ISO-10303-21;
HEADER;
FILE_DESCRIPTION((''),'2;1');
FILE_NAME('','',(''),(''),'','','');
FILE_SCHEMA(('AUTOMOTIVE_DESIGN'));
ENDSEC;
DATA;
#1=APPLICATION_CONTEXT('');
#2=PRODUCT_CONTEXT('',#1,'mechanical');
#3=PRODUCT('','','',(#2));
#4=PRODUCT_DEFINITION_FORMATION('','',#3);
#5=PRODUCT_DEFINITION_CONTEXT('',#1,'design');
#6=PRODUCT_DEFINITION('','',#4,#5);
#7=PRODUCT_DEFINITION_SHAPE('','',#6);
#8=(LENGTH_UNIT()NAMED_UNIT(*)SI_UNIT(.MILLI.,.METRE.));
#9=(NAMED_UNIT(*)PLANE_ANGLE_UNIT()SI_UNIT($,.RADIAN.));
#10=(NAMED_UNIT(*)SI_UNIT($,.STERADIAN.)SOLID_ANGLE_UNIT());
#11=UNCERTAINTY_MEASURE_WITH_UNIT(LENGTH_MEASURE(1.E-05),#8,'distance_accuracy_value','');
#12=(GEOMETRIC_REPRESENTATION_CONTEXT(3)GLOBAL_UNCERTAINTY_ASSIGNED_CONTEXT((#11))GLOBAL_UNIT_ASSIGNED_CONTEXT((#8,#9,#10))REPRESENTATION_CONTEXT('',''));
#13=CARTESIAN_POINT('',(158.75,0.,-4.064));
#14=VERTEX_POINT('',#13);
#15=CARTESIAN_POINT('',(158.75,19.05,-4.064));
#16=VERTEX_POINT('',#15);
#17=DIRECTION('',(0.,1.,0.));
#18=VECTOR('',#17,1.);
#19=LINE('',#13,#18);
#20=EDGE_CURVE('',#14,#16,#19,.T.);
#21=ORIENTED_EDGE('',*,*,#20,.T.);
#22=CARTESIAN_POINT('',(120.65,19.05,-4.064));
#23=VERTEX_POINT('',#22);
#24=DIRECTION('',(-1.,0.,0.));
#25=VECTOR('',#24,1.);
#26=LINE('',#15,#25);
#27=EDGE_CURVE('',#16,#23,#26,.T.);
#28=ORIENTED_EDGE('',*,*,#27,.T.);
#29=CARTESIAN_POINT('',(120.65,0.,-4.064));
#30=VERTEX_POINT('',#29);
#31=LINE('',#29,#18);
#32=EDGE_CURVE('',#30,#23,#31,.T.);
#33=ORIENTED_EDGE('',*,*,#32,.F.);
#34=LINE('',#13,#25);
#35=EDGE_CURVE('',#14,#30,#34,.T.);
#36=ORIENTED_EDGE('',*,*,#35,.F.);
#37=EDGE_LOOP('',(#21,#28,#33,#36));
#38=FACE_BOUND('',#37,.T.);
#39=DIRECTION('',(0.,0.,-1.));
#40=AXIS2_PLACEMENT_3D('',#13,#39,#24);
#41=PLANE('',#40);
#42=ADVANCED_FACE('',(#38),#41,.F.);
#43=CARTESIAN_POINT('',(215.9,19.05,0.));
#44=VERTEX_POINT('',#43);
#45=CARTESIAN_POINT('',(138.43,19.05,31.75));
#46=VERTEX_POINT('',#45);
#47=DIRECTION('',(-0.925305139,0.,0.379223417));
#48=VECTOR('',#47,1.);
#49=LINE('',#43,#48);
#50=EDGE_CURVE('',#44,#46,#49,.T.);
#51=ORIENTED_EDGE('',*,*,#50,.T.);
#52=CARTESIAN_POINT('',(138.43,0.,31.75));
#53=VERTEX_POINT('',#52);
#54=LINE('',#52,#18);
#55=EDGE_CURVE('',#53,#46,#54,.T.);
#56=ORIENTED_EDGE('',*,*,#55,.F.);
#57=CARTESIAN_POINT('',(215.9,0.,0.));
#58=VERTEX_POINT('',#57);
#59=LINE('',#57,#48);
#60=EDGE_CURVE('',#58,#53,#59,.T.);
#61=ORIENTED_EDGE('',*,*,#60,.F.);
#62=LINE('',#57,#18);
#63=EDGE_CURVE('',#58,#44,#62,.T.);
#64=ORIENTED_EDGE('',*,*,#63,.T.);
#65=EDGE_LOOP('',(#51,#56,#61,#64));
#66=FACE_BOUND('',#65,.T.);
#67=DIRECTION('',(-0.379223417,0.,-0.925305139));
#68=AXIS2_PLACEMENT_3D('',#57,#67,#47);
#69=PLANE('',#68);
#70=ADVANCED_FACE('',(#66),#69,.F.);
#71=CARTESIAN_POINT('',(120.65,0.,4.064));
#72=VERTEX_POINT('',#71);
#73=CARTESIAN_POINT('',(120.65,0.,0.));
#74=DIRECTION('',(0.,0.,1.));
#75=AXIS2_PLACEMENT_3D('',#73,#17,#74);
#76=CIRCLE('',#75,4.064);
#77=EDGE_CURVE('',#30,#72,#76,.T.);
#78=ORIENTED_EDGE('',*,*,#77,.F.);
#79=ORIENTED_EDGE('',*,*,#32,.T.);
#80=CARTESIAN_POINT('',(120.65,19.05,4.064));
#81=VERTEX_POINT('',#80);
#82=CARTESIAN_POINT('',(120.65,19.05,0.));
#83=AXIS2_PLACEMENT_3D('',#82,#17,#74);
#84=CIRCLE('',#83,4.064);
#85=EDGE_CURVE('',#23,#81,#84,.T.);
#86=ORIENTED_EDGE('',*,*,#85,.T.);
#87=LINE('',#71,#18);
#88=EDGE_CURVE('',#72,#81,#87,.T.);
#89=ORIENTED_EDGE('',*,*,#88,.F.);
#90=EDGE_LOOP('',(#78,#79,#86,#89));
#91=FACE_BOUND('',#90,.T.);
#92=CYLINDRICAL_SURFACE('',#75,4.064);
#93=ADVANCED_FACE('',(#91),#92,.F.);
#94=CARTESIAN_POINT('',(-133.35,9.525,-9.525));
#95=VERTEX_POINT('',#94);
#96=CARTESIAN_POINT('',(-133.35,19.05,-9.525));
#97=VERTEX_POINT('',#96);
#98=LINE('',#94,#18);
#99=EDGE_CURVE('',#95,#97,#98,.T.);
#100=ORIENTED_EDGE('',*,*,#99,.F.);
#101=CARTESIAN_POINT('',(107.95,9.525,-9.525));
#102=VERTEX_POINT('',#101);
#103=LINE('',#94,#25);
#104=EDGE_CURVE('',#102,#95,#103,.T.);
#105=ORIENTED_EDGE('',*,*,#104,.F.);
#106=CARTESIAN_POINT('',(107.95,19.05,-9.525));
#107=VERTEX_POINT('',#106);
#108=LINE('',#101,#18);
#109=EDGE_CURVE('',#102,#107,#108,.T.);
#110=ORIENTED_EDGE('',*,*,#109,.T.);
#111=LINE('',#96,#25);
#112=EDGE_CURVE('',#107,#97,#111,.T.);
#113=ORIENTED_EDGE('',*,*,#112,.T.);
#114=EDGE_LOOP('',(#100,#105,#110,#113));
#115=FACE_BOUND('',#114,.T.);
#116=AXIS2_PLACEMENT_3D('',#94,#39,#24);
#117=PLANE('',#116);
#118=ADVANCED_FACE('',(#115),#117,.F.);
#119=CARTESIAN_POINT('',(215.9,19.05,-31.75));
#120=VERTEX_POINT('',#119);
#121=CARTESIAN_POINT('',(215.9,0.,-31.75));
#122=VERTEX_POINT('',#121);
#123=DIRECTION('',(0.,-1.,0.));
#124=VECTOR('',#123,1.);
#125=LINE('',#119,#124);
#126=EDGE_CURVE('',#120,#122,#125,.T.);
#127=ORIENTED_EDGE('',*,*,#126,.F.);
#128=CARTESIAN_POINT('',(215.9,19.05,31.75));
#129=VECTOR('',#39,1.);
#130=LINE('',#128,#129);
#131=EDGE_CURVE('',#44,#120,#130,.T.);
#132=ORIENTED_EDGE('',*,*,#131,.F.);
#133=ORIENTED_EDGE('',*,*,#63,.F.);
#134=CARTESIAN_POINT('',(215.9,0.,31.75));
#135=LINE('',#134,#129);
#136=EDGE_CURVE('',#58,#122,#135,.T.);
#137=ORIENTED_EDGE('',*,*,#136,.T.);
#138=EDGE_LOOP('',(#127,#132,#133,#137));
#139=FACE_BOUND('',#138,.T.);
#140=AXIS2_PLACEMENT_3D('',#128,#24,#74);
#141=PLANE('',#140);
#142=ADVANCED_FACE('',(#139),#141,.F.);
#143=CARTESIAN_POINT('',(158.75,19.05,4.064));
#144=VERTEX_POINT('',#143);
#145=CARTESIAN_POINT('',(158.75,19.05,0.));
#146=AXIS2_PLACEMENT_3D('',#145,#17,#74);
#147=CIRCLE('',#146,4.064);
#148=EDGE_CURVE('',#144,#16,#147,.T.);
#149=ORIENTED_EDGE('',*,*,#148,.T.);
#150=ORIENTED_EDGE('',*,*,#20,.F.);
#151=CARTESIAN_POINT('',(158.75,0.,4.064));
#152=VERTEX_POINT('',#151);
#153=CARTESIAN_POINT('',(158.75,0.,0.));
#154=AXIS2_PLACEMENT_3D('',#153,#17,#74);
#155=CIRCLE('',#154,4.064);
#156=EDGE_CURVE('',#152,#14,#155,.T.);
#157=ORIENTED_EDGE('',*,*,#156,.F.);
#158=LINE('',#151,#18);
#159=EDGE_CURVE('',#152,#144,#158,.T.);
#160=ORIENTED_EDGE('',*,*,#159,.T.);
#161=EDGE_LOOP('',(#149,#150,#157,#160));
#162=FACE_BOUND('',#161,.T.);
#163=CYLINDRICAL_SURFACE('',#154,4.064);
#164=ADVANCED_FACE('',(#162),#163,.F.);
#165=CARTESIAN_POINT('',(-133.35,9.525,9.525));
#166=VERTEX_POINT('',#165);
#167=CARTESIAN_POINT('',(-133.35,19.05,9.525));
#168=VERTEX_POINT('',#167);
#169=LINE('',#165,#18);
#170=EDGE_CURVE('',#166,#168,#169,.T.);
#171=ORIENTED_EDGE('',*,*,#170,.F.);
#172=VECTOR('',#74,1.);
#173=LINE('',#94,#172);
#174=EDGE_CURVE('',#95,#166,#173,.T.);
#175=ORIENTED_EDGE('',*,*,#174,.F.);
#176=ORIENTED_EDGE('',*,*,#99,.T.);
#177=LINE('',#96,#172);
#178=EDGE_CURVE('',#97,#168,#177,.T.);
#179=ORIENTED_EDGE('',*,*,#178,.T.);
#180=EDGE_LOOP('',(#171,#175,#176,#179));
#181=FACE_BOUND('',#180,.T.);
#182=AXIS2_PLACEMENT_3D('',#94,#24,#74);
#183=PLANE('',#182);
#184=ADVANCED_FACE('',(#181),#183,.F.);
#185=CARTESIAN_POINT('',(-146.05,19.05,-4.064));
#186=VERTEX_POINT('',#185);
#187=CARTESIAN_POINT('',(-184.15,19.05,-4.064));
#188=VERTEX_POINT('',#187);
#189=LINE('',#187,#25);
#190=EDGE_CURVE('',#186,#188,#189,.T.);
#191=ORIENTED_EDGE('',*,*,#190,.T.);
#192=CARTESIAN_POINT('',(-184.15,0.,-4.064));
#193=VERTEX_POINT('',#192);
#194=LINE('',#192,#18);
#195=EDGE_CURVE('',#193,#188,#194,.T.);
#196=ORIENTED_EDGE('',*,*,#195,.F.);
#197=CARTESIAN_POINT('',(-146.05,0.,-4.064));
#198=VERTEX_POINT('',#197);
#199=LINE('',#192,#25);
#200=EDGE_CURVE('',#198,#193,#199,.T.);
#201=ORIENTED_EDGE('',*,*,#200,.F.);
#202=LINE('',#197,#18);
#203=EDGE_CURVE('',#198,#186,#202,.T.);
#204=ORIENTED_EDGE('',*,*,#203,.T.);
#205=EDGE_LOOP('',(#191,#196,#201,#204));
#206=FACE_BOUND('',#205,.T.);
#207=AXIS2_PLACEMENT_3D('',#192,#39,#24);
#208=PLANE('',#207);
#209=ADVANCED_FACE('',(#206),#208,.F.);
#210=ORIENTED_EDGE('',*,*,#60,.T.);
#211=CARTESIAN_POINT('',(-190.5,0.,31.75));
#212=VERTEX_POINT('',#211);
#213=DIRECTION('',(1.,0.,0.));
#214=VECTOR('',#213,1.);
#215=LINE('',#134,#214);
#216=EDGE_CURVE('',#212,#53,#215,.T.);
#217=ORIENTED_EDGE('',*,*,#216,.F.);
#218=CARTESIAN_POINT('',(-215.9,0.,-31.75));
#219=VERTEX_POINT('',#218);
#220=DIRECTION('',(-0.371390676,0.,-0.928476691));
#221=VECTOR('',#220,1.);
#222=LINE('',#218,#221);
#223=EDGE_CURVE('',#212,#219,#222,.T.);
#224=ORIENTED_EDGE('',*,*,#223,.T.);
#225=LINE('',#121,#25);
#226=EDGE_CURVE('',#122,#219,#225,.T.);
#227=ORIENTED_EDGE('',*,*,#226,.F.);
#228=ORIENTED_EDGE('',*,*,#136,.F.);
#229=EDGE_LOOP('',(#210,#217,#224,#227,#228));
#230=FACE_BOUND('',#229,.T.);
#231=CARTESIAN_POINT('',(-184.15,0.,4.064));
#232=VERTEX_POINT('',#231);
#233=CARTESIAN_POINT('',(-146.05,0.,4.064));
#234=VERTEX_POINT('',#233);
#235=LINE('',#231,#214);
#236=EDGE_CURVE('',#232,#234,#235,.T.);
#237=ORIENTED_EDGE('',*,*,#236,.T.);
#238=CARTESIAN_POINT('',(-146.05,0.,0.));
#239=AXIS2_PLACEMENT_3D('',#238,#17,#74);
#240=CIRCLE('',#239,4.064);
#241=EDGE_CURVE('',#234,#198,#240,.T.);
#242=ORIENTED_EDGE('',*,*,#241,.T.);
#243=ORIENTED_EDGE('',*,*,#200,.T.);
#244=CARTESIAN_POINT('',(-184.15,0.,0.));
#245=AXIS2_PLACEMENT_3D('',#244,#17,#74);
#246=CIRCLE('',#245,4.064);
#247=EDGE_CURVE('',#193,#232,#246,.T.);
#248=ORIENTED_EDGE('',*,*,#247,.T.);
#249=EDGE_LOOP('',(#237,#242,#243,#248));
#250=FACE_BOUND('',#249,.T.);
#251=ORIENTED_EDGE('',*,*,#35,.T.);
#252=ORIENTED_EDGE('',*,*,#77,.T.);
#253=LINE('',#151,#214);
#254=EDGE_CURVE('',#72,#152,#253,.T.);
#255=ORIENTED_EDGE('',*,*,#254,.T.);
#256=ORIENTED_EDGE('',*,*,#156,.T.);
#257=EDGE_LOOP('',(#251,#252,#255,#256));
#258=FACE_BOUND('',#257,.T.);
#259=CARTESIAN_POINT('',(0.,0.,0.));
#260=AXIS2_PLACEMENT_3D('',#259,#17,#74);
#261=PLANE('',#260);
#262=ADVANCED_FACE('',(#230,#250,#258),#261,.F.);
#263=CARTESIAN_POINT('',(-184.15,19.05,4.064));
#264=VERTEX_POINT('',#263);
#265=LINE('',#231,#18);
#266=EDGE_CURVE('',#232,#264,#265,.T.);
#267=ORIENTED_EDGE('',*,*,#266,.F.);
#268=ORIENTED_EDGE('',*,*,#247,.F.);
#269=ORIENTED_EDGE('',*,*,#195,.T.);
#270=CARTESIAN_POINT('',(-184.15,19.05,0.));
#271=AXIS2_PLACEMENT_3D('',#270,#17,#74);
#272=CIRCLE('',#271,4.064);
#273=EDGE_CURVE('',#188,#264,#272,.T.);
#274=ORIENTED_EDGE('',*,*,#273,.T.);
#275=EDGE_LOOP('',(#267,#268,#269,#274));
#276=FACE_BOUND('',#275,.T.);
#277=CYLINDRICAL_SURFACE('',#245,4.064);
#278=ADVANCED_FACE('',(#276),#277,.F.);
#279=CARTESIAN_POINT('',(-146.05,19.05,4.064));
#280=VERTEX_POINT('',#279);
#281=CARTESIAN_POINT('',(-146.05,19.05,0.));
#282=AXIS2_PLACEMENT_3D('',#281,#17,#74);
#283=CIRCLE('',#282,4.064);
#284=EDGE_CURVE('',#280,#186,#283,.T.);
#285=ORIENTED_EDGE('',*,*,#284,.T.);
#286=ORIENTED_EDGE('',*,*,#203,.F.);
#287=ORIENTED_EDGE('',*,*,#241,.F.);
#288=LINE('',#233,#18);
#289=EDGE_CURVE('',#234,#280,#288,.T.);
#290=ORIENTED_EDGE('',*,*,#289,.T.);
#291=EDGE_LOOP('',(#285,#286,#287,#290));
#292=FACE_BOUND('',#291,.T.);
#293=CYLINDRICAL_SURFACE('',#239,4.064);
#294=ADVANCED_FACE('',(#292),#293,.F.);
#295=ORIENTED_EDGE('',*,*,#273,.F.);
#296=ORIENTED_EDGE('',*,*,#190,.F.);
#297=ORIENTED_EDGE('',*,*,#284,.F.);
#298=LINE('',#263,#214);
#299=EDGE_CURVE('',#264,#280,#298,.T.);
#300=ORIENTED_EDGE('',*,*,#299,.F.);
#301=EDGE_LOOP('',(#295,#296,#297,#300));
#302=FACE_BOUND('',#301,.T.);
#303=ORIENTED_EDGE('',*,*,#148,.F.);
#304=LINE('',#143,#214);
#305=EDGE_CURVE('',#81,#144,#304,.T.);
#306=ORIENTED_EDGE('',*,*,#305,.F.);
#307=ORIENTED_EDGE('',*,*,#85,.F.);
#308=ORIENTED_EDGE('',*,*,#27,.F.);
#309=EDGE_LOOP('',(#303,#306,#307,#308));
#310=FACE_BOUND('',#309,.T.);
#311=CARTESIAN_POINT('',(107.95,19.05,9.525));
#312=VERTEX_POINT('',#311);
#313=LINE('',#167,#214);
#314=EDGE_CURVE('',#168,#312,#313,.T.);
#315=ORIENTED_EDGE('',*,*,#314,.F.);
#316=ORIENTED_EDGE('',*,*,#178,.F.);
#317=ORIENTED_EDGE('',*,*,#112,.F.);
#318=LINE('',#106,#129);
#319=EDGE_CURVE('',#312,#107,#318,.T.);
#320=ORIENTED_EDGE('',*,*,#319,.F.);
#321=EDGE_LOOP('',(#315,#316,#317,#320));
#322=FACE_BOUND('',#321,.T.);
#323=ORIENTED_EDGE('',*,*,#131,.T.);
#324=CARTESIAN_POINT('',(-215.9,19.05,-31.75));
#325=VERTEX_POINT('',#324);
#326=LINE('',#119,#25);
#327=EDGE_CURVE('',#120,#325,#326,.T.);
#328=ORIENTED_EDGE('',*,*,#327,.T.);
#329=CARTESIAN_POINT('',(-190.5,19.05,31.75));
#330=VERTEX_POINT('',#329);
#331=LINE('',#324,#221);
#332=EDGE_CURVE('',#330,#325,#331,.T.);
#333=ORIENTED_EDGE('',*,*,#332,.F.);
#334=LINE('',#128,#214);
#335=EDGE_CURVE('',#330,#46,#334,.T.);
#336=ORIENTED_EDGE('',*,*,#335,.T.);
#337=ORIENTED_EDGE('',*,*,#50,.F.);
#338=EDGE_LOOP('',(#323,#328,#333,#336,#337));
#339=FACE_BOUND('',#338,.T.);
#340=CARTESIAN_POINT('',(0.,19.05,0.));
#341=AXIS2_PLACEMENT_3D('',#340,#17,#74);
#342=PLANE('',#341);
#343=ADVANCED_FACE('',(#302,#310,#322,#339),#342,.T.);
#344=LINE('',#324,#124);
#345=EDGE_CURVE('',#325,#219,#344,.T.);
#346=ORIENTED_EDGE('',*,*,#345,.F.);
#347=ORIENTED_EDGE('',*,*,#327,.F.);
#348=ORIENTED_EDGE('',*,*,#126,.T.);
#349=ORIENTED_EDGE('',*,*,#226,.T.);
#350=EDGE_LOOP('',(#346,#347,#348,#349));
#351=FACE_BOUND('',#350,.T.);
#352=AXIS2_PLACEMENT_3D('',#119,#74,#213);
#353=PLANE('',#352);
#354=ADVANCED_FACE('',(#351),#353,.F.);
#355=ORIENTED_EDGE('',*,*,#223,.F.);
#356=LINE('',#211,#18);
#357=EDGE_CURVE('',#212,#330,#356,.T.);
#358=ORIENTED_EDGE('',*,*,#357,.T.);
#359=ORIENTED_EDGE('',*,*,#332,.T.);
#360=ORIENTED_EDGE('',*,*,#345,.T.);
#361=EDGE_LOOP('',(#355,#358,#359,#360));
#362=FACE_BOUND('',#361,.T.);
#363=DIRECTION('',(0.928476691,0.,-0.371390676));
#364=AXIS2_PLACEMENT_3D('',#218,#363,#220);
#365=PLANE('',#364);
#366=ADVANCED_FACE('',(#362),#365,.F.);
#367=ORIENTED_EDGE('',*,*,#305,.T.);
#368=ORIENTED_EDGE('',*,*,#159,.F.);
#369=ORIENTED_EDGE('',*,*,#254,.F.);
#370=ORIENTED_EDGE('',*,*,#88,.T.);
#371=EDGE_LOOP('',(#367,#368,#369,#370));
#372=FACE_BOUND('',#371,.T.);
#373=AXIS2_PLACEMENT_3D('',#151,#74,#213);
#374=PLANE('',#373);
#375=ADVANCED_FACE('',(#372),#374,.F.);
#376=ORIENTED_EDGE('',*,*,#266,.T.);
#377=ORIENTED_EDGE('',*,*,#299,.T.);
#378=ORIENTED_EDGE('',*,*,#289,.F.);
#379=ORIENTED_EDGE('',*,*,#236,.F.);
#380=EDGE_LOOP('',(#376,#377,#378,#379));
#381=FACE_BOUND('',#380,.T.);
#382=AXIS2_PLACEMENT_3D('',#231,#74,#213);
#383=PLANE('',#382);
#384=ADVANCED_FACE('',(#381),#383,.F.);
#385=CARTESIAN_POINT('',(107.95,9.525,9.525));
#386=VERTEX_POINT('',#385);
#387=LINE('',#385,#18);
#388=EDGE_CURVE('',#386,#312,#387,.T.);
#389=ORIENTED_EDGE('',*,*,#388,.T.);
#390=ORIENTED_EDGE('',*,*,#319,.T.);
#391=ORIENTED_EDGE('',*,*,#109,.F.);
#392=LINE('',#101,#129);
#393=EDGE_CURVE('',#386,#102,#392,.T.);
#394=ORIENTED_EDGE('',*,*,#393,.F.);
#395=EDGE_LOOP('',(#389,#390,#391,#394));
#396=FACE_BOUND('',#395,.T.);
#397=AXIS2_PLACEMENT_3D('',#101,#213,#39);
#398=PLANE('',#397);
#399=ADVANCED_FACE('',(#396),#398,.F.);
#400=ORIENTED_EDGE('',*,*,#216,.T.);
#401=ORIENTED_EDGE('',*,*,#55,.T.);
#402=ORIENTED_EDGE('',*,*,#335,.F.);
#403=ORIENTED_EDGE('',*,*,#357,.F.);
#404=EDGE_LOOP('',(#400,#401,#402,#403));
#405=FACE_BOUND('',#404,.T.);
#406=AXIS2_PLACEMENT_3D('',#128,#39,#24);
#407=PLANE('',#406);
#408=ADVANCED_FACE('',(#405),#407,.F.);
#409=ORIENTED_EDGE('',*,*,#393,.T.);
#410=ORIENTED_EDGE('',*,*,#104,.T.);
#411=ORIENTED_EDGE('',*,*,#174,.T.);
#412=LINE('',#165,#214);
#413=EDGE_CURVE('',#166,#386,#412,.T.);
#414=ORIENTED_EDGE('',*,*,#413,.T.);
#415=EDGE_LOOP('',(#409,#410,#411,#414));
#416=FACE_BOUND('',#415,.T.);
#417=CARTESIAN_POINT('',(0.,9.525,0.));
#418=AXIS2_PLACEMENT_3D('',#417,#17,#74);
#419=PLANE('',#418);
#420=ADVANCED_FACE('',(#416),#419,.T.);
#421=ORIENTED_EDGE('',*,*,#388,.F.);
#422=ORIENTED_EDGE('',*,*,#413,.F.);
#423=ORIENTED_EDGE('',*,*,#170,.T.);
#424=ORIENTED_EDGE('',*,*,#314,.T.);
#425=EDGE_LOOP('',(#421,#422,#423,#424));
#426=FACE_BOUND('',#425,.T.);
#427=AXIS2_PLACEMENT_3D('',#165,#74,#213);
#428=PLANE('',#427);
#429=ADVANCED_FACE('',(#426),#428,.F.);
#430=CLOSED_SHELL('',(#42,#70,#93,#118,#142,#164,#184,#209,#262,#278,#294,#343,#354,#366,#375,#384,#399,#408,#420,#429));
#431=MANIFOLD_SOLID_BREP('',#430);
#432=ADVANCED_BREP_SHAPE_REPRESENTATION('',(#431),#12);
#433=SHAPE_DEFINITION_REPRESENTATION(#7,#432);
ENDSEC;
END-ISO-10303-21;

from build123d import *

# Parameters (mm, degrees)
SKETCH1_W           = 431.8
SKETCH1_H           = 63.5
BOSS_EXTRUDE1_DEPTH = 19.05
CUT_EXTRUDE2_DEPTH  = 220.051991545
CUT_EXTRUDE1_DEPTH  = 19.05
SKETCH5_W           = 241.3
SKETCH5_H           = 19.05
CUT_EXTRUDE3_DEPTH  = 9.525


with BuildPart() as part:
    # Sketch1 → Boss-Extrude1 (new body)
    with BuildSketch(Plane(origin=(0, 0, 0), x_dir=(1, 0, 0), z_dir=(0, 1, 0))):
        Rectangle(SKETCH1_W, SKETCH1_H)
    extrude(amount=BOSS_EXTRUDE1_DEPTH)

    # Sketch3 → Cut-Extrude2 (cut, through all)
    with BuildSketch(Plane(origin=(0, 19.05, 0), x_dir=(1, 0, 0), z_dir=(0, 1, 0))):
        Polygon((-215.9, 31.75), (-190.5, -31.75), (-215.9, -31.75), align=None)
        Polygon((215.9, 0), (138.43, -31.75), (215.9, -31.75), align=None)
    extrude(amount=-CUT_EXTRUDE2_DEPTH, mode=Mode.SUBTRACT)

    # Sketch2 → Cut-Extrude1 (cut)
    with BuildSketch(Plane(origin=(0, 19.05, 0), x_dir=(1, 0, 0), z_dir=(0, 1, 0))):
        with BuildLine():
            Line((158.75, -4.064), (120.65, -4.064))
            ThreePointArc((120.65, -4.064), (116.586, 0), (120.65, 4.064))
            Line((120.65, 4.064), (158.75, 4.064))
            ThreePointArc((158.75, 4.064), (162.814, 0), (158.75, -4.064))
        make_face()
        with BuildLine():
            Line((-184.15, 4.064), (-146.05, 4.064))
            ThreePointArc((-146.05, 4.064), (-141.986, 0), (-146.05, -4.064))
            Line((-146.05, -4.064), (-184.15, -4.064))
            ThreePointArc((-184.15, -4.064), (-188.214, 0), (-184.15, 4.064))
        make_face()
    extrude(amount=-CUT_EXTRUDE1_DEPTH, mode=Mode.SUBTRACT)

    # Sketch5 → Cut-Extrude3 (cut)
    with BuildSketch(Plane(origin=(0, 19.05, 0), x_dir=(1, 0, 0), z_dir=(0, 1, 0))):
        with Locations((-12.7, 0)):
            Rectangle(SKETCH5_W, SKETCH5_H)
    extrude(amount=-CUT_EXTRUDE3_DEPTH, mode=Mode.SUBTRACT)


solid = part.part
